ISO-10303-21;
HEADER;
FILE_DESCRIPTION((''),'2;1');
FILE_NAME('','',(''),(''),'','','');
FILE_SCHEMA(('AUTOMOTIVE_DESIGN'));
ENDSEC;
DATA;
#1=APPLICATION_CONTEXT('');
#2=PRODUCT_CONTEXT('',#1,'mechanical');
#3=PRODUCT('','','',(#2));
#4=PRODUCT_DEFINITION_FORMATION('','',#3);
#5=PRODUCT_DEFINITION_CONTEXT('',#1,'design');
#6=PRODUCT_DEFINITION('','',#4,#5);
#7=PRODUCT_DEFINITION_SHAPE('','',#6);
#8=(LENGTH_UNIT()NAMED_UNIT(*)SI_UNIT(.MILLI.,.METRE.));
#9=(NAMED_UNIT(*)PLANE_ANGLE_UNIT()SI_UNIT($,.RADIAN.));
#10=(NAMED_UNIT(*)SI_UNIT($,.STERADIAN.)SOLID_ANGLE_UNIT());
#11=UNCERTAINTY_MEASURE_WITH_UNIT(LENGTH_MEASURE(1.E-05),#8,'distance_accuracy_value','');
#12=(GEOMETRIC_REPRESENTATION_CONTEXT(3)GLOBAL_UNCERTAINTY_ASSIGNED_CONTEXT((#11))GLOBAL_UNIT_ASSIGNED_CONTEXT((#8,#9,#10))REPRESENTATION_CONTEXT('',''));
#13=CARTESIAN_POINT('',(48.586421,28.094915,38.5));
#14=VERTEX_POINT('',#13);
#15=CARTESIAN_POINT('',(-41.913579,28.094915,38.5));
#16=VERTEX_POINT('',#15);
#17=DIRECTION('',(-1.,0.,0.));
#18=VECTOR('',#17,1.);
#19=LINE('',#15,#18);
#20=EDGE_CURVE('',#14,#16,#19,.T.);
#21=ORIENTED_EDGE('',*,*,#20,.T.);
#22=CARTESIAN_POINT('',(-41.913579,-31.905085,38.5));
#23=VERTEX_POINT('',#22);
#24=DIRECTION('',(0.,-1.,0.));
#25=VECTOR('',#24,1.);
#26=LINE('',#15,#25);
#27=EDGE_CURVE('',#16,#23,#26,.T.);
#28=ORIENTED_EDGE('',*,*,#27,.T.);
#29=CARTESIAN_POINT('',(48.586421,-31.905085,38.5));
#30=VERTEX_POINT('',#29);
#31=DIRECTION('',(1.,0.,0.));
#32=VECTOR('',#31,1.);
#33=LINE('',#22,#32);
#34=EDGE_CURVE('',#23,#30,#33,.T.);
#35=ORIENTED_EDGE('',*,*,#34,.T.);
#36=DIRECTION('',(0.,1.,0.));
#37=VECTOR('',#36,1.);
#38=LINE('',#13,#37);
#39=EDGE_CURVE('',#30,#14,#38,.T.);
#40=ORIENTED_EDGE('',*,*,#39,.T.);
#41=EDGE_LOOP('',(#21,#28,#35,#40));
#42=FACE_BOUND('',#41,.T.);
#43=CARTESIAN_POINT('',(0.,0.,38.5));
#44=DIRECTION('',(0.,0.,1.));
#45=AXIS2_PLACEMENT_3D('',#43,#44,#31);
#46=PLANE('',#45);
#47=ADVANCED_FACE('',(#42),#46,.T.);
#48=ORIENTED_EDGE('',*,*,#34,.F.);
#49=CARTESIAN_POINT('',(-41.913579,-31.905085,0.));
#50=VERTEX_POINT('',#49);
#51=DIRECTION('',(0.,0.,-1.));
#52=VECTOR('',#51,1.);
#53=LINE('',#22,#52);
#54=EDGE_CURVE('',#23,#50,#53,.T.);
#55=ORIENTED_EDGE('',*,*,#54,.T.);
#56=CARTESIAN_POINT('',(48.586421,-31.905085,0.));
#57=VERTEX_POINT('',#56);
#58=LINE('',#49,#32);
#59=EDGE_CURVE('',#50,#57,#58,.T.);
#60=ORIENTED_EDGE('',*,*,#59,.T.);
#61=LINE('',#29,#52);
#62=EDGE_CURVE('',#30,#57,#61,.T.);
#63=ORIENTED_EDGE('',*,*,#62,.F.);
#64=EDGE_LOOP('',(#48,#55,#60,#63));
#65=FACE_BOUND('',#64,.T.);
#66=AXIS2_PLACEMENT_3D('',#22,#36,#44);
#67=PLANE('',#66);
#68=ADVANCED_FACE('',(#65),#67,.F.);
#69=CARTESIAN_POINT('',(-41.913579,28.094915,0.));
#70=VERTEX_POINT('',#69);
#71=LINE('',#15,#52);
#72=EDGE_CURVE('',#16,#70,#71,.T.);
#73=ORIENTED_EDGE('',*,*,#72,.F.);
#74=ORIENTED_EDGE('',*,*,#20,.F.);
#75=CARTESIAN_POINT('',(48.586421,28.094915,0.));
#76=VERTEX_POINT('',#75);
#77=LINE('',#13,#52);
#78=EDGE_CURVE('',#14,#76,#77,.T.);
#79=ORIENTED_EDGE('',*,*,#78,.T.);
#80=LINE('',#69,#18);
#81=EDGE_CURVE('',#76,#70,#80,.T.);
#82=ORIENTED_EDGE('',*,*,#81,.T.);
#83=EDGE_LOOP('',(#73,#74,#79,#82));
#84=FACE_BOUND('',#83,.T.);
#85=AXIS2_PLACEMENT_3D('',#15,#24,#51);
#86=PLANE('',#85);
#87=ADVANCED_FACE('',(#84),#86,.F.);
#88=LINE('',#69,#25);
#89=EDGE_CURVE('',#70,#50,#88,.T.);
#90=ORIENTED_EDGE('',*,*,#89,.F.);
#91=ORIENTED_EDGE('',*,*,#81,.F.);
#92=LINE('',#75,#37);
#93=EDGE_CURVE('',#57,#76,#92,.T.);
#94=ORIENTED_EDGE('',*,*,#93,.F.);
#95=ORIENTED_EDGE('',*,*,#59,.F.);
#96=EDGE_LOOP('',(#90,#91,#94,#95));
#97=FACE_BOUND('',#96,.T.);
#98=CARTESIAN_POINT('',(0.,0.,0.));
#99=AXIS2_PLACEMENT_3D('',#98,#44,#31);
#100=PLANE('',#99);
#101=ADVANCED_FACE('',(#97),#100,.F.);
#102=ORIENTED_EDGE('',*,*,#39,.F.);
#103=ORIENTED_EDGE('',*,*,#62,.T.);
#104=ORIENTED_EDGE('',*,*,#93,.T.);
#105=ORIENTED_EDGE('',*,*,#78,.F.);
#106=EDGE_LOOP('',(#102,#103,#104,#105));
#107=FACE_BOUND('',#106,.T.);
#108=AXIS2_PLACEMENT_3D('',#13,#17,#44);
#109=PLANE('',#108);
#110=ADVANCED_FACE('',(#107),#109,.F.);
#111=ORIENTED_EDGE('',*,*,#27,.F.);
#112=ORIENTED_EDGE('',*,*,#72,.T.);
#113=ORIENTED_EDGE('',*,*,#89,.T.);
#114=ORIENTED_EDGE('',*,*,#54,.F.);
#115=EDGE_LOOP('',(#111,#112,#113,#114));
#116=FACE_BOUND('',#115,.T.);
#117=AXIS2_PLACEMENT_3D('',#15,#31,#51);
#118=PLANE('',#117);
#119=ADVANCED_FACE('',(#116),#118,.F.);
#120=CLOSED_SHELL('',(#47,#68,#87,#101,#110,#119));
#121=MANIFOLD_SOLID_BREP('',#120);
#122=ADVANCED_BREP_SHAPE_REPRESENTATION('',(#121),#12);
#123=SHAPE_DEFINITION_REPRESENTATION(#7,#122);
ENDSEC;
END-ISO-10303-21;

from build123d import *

# Parameters (mm, degrees)
ESBO_O1_W                = 90.5
ESBO_O1_H                = 60
RESSALTO_EXTRUS_O1_DEPTH = 38.5


with BuildPart() as part:
    # Esboço1 → Ressalto-extrusão1 (new body)
    with BuildSketch(Plane.XY):
        with Locations((3.336420871, -1.905084746)):
            Rectangle(ESBO_O1_W, ESBO_O1_H)
    extrude(amount=RESSALTO_EXTRUS_O1_DEPTH)


solid = part.part
